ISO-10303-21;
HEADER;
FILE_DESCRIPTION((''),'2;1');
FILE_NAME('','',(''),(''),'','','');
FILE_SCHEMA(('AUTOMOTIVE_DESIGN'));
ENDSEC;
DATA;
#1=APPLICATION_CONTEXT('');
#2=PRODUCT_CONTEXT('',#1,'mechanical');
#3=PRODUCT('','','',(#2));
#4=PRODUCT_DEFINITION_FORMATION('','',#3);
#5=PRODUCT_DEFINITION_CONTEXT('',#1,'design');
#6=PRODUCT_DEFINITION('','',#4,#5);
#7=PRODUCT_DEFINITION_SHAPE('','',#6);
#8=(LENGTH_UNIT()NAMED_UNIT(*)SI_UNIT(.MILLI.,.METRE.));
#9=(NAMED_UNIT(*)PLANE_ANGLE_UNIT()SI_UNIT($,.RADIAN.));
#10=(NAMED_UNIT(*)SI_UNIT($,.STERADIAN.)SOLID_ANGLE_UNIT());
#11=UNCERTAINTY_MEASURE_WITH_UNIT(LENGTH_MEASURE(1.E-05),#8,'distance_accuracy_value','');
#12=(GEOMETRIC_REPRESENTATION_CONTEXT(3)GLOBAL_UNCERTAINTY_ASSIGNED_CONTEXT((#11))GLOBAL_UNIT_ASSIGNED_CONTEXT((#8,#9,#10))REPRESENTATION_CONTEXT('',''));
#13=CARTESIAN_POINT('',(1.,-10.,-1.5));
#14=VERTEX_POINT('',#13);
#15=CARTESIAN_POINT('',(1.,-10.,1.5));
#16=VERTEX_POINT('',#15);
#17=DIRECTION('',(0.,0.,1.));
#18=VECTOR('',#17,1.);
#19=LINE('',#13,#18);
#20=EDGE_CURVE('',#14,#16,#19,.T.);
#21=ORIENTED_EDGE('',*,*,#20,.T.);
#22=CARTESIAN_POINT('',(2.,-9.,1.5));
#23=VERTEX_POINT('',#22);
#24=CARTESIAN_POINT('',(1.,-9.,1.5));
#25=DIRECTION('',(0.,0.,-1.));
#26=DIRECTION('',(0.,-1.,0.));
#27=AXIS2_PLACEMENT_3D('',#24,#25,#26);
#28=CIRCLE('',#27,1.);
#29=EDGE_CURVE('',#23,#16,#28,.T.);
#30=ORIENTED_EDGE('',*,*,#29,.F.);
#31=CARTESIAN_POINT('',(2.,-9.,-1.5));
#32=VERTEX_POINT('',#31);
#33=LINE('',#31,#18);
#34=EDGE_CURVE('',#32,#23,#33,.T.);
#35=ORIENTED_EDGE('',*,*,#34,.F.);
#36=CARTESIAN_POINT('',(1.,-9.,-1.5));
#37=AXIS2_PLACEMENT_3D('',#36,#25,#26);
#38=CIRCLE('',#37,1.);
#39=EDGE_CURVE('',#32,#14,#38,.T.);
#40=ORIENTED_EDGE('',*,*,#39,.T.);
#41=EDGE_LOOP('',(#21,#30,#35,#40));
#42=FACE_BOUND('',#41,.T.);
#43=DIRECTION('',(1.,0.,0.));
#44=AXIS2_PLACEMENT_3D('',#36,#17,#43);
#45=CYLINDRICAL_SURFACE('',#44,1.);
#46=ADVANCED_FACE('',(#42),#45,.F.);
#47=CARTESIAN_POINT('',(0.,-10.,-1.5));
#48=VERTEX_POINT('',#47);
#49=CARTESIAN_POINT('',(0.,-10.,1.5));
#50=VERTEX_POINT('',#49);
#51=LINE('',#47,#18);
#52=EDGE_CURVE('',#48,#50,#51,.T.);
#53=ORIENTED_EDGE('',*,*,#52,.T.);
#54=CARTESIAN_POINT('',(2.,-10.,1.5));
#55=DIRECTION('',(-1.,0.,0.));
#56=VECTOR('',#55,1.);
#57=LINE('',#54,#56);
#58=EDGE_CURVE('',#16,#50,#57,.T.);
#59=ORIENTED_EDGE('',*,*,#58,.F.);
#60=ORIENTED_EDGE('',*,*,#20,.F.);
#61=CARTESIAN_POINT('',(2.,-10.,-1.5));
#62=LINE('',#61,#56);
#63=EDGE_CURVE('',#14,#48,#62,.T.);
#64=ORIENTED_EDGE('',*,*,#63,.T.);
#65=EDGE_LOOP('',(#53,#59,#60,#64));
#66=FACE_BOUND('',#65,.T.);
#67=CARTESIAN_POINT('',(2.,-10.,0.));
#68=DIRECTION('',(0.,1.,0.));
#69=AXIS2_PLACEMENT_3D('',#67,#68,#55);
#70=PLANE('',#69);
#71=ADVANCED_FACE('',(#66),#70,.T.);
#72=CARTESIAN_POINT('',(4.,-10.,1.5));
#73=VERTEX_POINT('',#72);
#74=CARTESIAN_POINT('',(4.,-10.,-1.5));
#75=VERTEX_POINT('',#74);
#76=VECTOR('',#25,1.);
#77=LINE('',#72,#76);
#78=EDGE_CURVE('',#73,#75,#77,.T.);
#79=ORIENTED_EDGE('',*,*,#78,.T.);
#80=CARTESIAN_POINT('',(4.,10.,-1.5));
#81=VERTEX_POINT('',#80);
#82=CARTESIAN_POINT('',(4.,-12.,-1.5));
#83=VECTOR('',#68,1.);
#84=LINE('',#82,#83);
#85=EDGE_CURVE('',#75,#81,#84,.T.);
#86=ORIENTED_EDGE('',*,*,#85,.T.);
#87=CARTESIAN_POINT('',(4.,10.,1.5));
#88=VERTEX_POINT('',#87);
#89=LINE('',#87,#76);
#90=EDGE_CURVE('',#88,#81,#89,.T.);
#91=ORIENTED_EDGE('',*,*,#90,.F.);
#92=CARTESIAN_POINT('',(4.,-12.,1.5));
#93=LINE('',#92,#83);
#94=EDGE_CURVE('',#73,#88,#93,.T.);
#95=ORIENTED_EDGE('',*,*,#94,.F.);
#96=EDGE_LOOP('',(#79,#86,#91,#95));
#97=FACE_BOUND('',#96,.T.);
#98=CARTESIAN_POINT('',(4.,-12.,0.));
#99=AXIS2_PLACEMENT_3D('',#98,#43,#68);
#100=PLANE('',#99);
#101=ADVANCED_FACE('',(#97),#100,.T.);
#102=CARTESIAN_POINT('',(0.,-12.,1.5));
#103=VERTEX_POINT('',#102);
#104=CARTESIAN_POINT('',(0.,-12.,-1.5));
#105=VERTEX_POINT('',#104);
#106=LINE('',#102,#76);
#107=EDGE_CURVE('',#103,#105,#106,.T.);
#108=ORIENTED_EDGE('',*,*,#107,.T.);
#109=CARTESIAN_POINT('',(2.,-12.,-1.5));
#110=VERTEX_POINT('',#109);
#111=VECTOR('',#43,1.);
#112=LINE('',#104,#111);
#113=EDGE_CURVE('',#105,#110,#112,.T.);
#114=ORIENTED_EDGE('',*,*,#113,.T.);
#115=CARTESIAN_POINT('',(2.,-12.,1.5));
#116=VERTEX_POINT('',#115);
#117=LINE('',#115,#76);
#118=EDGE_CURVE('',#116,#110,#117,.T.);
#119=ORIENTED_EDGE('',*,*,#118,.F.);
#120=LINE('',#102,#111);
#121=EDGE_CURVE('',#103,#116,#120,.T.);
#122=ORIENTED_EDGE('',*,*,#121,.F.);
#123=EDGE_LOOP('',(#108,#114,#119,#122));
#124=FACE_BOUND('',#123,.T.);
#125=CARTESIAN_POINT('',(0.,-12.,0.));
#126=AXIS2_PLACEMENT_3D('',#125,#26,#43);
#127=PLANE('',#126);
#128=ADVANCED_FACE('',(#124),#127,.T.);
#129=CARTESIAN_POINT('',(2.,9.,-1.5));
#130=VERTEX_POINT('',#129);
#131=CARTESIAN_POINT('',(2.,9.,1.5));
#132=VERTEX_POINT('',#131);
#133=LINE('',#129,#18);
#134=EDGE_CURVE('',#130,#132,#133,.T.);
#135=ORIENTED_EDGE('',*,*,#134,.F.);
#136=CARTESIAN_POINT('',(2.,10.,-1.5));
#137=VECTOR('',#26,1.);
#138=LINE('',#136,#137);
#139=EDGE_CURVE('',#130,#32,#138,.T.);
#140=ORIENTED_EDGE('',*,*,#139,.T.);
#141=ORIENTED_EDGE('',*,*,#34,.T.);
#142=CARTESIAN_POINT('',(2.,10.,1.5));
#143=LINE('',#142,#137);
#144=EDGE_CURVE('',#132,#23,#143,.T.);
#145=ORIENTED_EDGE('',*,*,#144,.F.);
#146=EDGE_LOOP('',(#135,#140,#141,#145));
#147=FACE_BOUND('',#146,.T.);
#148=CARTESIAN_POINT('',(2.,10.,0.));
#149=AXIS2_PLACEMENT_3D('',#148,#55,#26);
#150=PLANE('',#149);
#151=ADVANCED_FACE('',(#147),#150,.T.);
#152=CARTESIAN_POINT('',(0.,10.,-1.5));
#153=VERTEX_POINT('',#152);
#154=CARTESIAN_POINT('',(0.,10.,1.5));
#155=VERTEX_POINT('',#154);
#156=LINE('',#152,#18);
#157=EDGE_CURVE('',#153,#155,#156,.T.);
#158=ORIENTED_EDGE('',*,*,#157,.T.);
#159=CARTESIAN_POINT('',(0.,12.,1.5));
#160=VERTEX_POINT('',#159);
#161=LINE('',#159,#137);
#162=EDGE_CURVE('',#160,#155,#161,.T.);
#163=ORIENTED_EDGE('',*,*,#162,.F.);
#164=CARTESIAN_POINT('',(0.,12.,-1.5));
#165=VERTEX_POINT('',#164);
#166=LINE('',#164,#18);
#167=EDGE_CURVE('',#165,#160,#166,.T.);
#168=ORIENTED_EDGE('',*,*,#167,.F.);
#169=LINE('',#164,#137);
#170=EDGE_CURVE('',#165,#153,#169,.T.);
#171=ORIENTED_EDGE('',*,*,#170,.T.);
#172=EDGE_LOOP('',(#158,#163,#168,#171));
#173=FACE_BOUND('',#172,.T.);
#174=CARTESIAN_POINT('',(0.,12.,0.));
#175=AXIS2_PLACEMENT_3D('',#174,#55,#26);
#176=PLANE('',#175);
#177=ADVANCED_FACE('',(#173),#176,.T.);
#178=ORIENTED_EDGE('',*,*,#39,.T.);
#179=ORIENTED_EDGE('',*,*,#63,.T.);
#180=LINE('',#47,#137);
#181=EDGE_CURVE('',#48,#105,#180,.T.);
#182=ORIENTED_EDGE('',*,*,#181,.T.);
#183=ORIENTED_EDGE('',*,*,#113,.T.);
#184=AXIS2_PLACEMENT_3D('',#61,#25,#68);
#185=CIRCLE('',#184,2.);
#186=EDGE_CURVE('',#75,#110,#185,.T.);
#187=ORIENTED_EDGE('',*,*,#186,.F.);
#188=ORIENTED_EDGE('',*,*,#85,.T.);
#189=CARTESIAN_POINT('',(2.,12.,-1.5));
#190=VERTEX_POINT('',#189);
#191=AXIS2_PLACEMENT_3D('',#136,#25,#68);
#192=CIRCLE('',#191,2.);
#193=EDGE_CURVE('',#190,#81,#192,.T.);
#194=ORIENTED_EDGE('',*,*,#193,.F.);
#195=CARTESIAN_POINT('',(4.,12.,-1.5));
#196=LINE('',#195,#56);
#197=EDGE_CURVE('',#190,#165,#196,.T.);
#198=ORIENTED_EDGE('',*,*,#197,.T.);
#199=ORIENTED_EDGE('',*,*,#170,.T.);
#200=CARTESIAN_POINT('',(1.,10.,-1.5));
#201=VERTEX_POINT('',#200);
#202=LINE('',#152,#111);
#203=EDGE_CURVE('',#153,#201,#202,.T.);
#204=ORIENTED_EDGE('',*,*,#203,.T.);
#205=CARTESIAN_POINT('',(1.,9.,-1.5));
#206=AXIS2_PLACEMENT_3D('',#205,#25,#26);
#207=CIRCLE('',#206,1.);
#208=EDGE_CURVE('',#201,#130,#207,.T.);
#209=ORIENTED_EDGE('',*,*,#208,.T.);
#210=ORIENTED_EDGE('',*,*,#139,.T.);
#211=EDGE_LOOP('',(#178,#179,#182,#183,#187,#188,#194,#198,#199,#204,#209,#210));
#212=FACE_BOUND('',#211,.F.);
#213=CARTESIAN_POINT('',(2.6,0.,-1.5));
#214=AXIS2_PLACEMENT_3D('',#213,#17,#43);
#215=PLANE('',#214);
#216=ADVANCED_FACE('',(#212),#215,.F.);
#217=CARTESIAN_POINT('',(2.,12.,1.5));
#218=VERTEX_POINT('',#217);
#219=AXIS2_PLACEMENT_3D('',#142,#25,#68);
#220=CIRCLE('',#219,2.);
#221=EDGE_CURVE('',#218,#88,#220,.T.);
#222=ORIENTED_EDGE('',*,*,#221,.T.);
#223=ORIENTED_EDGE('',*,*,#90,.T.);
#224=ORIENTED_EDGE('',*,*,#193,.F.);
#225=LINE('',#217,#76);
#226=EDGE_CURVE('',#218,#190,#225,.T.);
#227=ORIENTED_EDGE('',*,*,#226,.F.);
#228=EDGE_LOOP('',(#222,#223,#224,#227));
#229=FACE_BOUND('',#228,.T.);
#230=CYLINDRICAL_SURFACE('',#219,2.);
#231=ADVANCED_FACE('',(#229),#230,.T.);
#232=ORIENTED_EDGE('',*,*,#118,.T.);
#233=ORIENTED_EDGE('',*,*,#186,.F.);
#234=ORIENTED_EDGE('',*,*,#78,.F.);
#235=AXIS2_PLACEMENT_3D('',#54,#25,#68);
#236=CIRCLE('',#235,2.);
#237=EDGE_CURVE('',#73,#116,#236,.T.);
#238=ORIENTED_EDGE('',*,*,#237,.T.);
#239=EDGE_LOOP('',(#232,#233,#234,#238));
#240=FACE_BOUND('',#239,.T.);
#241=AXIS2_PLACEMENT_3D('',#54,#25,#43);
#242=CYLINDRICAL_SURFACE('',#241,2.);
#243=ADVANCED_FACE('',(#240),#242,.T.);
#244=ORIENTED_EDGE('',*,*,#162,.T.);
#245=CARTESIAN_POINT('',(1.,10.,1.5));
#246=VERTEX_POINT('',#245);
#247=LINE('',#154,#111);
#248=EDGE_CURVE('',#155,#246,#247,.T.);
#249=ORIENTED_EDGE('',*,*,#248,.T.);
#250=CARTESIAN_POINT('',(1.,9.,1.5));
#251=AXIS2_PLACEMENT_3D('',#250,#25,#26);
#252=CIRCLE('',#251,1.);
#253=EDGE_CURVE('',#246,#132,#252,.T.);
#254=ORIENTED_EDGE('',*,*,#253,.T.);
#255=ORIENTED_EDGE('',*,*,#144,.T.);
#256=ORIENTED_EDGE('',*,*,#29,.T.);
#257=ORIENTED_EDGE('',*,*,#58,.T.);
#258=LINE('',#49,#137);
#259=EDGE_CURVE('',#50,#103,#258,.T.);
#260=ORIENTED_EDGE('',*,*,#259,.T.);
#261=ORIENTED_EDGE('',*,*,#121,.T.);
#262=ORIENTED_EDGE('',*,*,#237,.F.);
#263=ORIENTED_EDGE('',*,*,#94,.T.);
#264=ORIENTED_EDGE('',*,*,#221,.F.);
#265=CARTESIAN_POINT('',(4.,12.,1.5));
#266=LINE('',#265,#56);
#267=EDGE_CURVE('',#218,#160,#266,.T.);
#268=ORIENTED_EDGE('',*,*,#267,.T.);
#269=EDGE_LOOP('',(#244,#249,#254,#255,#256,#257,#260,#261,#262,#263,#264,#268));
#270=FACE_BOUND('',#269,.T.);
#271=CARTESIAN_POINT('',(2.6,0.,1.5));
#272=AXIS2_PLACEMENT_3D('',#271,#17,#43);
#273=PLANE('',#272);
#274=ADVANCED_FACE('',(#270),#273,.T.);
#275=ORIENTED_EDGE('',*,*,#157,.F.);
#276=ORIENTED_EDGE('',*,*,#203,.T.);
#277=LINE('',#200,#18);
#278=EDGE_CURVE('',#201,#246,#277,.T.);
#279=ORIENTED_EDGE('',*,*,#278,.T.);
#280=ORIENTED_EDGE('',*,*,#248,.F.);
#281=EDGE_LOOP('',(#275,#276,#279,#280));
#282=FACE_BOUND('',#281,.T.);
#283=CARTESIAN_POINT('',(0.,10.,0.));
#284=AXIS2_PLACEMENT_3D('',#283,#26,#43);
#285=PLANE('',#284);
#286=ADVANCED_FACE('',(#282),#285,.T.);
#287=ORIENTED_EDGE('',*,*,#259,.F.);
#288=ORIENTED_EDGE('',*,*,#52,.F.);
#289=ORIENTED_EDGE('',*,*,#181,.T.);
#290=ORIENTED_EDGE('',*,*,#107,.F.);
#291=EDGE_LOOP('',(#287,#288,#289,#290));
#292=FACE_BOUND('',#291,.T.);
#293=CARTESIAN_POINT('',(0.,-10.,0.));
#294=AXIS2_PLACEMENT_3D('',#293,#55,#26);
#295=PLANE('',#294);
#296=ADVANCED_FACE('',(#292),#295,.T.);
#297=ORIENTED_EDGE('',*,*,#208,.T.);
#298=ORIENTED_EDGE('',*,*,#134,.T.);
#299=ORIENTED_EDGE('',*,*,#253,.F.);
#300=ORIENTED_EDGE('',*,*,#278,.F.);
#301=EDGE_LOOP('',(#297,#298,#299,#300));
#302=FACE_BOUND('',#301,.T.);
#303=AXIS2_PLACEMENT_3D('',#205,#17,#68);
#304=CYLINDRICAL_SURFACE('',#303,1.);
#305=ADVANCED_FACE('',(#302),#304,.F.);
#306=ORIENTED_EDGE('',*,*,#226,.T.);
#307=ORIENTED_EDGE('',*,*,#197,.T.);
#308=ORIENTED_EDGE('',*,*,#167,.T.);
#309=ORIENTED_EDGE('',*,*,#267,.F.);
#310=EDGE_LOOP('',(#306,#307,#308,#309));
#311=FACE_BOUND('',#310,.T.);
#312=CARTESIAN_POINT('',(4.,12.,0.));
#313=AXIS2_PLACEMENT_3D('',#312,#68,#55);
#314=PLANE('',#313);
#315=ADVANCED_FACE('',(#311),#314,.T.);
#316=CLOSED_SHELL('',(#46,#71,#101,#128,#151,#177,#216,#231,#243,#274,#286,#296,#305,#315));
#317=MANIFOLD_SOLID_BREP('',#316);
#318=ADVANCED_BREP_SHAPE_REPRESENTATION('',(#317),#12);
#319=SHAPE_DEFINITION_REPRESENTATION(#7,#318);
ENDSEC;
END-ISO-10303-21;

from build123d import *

# Parameters (mm, degrees)
F1_DEPTH = 1.5
F2_R     = 2
F3_R     = 1


with BuildPart() as f1:
    # F0 (on Top) → F1 (new body, symmetric)
    with BuildSketch(Plane.XY):
        Polygon((4, 12), (0, 12), (0, 10), (2, 10), (2, -10), (0, -10), (0, -12), (4, -12), align=None)
    extrude(amount=F1_DEPTH, both=True)

    # F2
    f2_edges = [f1.edges().sort_by_distance(p)[0] for p in [
        (4, -12, 0),
        (4, 12, 0),
    ]]
    fillet(f2_edges, radius=F2_R)

    # F3
    f3_edges = [f1.edges().sort_by_distance(p)[0] for p in [
        (2, 10, 0),
        (2, -10, 0),
    ]]
    fillet(f3_edges, radius=F3_R)


solid = f1.part
